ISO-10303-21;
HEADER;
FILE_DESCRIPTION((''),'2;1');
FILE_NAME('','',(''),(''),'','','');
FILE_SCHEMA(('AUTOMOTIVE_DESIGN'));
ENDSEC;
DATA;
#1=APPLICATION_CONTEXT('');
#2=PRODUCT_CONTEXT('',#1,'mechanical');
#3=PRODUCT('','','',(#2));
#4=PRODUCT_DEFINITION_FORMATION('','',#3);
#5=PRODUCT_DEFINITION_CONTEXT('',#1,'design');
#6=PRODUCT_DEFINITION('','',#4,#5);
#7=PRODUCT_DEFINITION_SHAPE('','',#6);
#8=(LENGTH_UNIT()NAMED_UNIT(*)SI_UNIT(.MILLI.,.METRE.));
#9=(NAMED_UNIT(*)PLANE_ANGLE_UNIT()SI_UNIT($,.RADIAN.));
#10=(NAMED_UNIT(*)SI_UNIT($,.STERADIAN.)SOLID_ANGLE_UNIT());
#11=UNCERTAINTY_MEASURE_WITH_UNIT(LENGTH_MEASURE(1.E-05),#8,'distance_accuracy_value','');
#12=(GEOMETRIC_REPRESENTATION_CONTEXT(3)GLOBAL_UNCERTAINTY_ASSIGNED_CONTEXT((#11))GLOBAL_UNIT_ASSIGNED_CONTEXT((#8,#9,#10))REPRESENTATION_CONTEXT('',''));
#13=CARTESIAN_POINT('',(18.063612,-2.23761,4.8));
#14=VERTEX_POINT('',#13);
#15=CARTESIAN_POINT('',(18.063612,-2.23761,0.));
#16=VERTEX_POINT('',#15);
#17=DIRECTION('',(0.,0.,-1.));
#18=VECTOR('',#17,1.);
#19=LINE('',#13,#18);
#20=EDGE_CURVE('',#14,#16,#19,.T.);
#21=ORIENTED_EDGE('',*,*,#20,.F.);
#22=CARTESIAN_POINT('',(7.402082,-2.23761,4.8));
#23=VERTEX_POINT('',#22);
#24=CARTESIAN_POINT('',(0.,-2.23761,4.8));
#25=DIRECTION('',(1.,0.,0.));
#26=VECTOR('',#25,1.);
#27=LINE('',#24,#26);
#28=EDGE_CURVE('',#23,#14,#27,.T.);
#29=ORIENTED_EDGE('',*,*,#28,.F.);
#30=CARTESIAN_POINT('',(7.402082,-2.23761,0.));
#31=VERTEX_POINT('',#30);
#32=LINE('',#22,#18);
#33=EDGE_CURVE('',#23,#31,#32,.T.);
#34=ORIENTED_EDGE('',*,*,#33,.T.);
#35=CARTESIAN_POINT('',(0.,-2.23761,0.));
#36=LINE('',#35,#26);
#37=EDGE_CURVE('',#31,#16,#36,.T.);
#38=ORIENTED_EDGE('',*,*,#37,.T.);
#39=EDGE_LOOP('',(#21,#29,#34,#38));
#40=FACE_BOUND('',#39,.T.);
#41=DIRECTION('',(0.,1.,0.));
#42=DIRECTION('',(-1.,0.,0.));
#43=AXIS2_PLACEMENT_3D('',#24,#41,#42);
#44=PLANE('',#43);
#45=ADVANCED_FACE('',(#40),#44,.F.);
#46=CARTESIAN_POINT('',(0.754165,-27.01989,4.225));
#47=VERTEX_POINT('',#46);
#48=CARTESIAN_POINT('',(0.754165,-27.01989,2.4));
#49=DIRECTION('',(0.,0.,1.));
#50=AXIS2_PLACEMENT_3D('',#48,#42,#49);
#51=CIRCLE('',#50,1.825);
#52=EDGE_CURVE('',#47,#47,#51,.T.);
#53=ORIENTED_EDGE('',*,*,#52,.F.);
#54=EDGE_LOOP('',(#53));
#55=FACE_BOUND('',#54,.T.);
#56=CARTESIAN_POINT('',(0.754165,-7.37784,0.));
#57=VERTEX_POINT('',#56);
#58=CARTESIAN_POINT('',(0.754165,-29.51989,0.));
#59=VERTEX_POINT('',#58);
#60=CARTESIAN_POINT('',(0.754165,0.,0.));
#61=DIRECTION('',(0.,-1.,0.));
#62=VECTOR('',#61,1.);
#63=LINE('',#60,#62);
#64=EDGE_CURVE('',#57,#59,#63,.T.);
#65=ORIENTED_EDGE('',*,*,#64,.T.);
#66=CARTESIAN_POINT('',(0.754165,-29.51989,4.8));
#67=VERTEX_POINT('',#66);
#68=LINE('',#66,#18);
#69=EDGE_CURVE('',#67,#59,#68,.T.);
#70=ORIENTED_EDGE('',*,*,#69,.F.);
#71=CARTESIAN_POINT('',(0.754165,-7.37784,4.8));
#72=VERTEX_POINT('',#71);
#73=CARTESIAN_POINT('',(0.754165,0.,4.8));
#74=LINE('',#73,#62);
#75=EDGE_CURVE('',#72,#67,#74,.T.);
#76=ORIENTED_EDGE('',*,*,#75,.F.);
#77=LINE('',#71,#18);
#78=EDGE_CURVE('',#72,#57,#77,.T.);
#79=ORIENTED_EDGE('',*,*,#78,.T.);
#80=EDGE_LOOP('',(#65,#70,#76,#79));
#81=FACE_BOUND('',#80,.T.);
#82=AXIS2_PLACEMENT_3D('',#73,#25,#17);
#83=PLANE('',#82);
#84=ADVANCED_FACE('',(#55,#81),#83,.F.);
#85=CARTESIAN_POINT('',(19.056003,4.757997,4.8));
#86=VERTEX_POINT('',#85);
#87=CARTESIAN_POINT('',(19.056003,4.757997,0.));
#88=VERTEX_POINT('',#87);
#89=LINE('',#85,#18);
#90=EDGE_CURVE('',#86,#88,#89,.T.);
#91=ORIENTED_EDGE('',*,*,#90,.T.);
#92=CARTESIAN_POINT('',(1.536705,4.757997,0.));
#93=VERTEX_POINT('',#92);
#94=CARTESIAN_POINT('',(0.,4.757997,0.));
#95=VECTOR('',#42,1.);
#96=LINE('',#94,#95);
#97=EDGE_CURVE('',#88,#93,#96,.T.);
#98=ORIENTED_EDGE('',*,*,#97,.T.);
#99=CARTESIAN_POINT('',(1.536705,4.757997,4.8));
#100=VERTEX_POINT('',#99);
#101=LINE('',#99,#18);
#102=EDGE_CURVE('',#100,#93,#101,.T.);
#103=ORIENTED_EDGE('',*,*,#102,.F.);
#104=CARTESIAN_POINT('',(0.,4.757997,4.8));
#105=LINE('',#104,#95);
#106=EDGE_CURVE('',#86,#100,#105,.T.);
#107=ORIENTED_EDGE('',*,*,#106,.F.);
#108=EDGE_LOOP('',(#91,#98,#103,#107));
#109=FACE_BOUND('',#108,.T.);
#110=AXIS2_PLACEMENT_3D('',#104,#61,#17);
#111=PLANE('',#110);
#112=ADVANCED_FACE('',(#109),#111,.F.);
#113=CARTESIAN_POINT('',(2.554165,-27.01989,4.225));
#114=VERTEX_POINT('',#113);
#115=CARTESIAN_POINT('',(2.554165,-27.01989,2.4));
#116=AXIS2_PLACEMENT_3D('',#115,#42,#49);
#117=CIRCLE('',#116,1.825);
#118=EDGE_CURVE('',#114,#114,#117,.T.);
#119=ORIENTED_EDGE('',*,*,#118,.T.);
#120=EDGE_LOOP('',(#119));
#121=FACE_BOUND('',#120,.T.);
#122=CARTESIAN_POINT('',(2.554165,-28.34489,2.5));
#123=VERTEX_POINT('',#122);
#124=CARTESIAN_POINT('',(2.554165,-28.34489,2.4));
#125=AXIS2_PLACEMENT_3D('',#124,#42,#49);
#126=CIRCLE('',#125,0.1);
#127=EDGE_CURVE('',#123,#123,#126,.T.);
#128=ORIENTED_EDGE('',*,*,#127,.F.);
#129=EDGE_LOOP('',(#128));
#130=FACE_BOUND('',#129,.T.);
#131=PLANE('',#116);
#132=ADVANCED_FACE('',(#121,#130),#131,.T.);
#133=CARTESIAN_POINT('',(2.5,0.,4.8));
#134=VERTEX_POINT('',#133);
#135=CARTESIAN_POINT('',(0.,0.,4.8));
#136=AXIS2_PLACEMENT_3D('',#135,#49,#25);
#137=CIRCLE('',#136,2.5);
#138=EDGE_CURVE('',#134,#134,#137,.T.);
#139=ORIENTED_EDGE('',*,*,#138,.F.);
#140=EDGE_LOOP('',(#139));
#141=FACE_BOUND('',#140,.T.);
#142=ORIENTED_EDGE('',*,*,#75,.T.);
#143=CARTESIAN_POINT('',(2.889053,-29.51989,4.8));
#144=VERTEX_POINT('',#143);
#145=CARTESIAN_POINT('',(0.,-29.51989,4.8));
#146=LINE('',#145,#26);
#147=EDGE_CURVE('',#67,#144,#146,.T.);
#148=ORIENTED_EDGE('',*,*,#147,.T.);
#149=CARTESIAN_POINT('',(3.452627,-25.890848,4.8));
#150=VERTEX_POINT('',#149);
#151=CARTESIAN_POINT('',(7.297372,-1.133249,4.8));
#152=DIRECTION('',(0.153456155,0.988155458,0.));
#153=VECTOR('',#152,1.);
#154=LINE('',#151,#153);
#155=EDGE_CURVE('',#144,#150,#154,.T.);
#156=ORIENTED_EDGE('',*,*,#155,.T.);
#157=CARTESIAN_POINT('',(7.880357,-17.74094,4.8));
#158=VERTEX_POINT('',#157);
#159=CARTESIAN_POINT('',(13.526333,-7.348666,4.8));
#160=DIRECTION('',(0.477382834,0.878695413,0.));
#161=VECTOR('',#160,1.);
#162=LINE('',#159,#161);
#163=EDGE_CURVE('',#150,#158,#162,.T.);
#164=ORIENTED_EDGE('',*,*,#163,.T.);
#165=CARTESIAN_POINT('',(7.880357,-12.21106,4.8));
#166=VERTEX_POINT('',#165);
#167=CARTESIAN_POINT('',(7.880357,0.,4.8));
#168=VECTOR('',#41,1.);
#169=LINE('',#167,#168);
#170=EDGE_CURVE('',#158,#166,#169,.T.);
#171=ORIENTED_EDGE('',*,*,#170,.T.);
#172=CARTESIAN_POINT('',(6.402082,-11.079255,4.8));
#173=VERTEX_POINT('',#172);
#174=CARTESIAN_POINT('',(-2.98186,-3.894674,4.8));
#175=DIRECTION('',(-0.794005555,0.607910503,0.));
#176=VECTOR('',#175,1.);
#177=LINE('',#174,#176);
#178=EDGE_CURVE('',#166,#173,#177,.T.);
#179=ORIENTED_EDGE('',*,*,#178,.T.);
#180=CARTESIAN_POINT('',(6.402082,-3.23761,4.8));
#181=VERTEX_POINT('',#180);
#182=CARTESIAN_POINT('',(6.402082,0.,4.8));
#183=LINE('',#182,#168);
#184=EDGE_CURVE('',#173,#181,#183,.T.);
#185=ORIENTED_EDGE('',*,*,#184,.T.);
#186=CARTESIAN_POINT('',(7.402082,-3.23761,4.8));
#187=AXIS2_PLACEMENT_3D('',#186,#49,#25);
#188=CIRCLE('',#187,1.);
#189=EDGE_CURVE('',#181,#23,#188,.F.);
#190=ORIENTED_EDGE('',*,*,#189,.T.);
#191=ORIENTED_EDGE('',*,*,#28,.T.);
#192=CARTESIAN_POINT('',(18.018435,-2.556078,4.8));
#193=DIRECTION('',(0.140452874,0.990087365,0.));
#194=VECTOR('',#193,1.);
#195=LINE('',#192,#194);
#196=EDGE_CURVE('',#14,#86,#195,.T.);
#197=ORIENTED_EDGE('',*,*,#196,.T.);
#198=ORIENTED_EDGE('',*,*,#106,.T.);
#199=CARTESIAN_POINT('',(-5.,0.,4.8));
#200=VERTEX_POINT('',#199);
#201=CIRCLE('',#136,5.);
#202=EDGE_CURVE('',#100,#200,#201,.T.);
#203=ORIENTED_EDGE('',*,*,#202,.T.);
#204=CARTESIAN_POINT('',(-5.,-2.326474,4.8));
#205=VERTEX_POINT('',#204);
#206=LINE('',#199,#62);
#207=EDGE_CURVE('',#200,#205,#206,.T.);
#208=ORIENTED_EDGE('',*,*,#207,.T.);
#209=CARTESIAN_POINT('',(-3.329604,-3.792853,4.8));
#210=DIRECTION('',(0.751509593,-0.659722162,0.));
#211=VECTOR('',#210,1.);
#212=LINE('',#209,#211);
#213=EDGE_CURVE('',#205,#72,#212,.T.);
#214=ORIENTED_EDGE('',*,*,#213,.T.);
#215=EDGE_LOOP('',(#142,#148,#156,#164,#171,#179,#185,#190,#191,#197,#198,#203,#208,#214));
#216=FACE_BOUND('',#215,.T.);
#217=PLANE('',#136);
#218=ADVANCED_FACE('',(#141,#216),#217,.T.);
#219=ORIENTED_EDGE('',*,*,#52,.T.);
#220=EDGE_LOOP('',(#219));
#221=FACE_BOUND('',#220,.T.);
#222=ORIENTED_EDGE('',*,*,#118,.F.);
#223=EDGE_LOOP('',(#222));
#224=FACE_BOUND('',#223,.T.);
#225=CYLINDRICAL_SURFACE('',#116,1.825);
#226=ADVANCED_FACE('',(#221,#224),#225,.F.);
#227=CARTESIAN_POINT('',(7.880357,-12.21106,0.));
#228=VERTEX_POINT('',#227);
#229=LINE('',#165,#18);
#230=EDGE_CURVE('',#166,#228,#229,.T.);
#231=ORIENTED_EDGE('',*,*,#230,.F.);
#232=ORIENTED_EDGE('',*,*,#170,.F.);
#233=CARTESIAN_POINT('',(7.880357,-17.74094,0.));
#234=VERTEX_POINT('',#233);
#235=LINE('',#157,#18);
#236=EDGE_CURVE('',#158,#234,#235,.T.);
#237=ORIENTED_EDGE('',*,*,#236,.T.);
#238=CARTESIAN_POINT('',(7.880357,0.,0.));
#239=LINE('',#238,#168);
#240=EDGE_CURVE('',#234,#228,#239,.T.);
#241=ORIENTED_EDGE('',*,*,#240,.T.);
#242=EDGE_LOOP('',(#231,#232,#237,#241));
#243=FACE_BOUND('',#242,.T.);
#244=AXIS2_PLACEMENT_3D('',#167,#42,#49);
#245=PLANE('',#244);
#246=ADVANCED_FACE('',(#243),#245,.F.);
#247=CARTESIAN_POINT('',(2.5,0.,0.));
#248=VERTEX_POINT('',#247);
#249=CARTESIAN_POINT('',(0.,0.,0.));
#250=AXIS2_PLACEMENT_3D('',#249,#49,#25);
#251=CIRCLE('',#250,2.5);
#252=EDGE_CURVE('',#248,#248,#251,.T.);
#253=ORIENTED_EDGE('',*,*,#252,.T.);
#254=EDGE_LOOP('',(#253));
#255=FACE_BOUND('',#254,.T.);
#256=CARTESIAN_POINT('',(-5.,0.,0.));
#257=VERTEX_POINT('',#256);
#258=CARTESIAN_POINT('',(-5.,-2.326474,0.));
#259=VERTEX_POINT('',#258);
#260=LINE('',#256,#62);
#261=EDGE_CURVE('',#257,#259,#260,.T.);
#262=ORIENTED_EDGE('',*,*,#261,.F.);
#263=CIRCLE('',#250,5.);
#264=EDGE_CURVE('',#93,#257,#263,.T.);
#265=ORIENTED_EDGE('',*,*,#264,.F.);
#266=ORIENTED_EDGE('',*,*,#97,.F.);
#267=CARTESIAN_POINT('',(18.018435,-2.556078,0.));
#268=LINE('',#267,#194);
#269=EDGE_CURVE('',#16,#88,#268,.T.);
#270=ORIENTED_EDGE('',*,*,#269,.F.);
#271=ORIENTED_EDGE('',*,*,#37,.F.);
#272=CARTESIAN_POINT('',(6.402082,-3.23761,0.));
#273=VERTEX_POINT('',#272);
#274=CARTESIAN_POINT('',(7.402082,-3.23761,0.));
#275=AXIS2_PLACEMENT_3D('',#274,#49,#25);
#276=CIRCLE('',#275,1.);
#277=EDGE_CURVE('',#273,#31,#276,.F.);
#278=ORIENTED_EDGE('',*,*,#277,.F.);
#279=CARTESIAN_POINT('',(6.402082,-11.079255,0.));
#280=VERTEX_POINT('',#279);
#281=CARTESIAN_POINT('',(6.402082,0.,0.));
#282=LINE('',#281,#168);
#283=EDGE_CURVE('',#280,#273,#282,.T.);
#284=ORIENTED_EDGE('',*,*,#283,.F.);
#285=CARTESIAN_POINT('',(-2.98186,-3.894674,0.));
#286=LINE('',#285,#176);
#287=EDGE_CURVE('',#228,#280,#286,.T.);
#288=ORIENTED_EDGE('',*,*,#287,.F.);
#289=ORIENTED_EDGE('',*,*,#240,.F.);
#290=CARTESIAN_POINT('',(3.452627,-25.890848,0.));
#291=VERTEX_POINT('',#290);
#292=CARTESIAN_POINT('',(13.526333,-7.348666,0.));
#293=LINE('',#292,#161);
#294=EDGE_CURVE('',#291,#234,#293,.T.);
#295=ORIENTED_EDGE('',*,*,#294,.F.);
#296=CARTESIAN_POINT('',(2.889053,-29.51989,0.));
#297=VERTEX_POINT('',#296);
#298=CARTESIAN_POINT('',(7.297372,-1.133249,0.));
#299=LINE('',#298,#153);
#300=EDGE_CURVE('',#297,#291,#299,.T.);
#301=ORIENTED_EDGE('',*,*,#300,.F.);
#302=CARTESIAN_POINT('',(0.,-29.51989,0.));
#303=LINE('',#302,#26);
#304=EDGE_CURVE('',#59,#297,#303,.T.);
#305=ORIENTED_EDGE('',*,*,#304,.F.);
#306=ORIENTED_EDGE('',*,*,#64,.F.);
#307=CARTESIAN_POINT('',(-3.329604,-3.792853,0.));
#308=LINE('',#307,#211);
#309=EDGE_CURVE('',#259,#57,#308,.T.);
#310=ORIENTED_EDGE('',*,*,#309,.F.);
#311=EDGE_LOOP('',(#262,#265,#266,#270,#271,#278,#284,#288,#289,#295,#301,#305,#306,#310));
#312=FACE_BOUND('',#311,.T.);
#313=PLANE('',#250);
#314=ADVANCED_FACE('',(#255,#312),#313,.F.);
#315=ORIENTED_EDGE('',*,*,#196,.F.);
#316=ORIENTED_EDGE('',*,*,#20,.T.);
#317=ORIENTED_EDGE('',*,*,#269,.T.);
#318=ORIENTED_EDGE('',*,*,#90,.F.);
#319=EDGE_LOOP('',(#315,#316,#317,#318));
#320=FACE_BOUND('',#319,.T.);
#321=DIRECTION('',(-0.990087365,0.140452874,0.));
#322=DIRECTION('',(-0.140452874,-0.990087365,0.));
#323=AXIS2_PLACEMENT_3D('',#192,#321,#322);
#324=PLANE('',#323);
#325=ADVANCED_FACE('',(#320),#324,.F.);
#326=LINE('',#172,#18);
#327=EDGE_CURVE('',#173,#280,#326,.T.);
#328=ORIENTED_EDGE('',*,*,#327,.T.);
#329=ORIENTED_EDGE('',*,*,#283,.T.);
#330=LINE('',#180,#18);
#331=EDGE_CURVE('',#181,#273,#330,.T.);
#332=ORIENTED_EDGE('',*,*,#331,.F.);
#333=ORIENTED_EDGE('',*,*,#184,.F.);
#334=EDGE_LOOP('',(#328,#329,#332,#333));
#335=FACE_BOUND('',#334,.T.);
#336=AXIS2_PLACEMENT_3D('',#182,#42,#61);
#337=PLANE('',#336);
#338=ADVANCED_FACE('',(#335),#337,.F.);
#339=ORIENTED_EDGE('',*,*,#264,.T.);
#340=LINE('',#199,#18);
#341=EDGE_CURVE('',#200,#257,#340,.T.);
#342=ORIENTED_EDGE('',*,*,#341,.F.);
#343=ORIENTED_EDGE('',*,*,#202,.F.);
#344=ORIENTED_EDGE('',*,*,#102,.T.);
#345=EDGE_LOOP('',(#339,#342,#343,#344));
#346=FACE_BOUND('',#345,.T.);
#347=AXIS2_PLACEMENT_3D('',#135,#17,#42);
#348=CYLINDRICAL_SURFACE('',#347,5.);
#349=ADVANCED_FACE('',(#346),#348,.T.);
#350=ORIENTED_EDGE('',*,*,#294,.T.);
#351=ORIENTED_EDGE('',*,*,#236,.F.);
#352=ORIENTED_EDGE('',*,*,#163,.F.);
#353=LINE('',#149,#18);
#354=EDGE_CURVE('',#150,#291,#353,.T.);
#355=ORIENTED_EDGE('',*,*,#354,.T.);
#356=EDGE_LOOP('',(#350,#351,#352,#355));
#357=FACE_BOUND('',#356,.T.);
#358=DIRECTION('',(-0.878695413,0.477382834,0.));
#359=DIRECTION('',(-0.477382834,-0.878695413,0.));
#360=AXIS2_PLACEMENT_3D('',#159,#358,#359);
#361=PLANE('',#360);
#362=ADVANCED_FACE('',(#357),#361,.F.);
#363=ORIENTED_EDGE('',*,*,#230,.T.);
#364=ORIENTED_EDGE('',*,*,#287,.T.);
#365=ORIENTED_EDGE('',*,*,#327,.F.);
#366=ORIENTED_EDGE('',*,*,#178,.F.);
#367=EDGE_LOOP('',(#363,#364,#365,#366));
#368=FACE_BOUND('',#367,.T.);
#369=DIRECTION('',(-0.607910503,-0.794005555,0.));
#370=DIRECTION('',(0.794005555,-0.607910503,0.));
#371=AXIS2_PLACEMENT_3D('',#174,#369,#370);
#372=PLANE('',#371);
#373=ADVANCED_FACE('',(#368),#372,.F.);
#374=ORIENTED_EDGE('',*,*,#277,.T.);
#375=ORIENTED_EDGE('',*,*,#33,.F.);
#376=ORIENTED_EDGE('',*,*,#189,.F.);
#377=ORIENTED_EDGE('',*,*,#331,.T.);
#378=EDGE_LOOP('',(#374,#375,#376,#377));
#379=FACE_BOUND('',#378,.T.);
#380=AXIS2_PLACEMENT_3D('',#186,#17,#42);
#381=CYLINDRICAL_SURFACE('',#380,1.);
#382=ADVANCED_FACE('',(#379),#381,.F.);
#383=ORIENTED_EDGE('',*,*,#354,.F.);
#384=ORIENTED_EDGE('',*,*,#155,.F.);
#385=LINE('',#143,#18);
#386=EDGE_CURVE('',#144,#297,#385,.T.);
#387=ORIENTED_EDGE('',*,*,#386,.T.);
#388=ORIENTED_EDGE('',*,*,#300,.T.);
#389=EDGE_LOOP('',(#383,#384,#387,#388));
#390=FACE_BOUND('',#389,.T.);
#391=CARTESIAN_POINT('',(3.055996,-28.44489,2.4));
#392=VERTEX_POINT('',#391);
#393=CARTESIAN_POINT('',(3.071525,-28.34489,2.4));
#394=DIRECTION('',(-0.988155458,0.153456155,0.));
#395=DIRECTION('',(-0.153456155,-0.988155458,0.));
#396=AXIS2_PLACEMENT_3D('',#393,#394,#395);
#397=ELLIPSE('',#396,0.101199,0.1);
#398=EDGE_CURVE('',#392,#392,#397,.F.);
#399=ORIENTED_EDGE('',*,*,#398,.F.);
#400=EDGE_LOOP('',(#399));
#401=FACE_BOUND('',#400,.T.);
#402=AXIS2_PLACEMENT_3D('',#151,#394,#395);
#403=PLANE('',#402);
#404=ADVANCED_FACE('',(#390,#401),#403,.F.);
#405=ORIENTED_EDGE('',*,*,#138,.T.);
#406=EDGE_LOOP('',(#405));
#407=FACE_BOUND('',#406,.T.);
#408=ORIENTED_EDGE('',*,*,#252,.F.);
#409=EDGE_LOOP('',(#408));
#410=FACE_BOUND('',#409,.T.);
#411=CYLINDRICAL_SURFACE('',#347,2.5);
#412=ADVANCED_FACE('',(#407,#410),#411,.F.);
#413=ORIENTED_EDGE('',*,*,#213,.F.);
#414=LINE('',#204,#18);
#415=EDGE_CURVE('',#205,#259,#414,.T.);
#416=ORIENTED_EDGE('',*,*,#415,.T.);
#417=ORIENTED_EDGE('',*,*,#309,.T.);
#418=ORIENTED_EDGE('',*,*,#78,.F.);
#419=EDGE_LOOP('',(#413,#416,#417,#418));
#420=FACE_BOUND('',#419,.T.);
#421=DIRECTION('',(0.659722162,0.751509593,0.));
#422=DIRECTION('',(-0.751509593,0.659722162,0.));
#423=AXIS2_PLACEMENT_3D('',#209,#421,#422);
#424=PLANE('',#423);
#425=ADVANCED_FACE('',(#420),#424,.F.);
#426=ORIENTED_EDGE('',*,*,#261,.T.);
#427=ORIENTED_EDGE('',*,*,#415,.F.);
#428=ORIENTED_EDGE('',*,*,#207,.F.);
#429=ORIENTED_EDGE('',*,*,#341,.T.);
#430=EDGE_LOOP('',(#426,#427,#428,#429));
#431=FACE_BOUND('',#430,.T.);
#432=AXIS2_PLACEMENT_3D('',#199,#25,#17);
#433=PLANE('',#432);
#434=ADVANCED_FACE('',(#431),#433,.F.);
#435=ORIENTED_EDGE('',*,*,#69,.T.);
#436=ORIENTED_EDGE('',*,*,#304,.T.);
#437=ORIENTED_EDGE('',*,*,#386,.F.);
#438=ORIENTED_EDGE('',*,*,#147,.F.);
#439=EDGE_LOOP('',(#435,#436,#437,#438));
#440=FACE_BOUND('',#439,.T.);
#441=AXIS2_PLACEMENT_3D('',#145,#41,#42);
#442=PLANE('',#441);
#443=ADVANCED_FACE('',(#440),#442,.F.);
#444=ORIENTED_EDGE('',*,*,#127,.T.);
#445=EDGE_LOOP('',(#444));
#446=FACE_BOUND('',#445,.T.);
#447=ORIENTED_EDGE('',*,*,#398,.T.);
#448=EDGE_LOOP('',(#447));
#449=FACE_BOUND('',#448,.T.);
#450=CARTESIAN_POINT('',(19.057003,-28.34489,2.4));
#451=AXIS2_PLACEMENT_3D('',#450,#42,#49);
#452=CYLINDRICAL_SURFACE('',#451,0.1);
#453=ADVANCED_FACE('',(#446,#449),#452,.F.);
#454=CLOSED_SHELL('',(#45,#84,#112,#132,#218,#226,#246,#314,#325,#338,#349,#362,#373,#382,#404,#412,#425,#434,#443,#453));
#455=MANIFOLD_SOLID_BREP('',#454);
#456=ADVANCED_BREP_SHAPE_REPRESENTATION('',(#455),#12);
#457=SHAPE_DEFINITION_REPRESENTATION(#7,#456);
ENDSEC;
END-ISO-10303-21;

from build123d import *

# Parameters (mm, degrees)
SKETCH_1_R          = 5
SKETCH_1_R_2        = 2.5
EXTRUDE_1_DEPTH     = 4.8
SKETCH_3_R          = 1.825
CUT_EXTRUDE_1_DEPTH = 1.8
CUT_EXTRUDE_2_REACH = 36.158
SKETCH_4_R          = 0.1


with BuildPart() as part:
    # 스케치1 → 보스-돌출1 (new body)
    # profile 1 of 2: a face of its own
    with BuildSketch(Plane.XY):
        with BuildLine():
            ThreePointArc((5, 0), (0, -5), (-5, 0))
            Line((-5, 0), (-5, -2.326474397))
            Line((-5, -2.326474397), (0.754164722, -7.377840375))
            Line((0.754164722, -7.377840375), (0.754164722, -29.519890116))
            Line((0.754164722, -29.519890116), (2.889052882, -29.519890116))
            Line((2.889052882, -29.519890116), (3.452626944, -25.890848407))
            Line((3.452626944, -25.890848407), (7.880357437, -17.740939791))
            Line((7.880357437, -17.740939791), (7.880357437, -12.211059606))
            Line((7.880357437, -12.211059606), (6.40208237, -11.079255258))
            Line((6.40208237, -11.079255258), (6.40208237, -3.237610212))
            ThreePointArc((6.40208237, -3.237610212), (6.694975589, -2.530503431), (7.40208237, -2.237610212))
            Line((7.40208237, -2.237610212), (18.063612226, -2.237610212))
            Line((18.063612226, -2.237610212), (19.056002599, 4.757997197))
            Line((19.056002599, 4.757997197), (1.536705134, 4.757997197))
            ThreePointArc((1.536705134, 4.757997197), (4.04249463, 2.942488261), (5, 0))
        make_face()
    # profile 2 of 2: a face of its own
    with BuildSketch(Plane.XY):
        Circle(SKETCH_1_R)
        Circle(SKETCH_1_R_2, mode=Mode.SUBTRACT)
    extrude(amount=EXTRUDE_1_DEPTH)

    # 스케치3 → 컷-돌출1 (cut)
    with BuildSketch(Plane.ZY.offset(-0.754164722)):
        with Locations((2.4, -27.019890116)):
            Circle(SKETCH_3_R)
    extrude(amount=-CUT_EXTRUDE_1_DEPTH, mode=Mode.SUBTRACT)

    # 컷-돌출2: up to this plane
    cut_extrude_2_end = Plane(origin=(7.297372122, -1.133249487, 4.8), z_dir=(-0.9881554576984991, 0.15345615471746255, 0))
    # 스케치4 → 컷-돌출2 (cut, up to the surface)
    with BuildSketch(Plane.ZY.offset(-2.554164722), mode=Mode.PRIVATE) as cut_extrude_2_sk1:
        with Locations((2.4, -28.344890116)):
            Circle(SKETCH_4_R)
    cut_extrude_2_tool1 = split(extrude(cut_extrude_2_sk1.sketch, amount=-CUT_EXTRUDE_2_REACH, mode=Mode.PRIVATE), bisect_by=cut_extrude_2_end, keep=Keep.BOTH, mode=Mode.PRIVATE)
    add(cut_extrude_2_tool1.solids().sort_by_distance((2.554165, -28.34489, 2.4))[0], mode=Mode.SUBTRACT)


solid = part.part
